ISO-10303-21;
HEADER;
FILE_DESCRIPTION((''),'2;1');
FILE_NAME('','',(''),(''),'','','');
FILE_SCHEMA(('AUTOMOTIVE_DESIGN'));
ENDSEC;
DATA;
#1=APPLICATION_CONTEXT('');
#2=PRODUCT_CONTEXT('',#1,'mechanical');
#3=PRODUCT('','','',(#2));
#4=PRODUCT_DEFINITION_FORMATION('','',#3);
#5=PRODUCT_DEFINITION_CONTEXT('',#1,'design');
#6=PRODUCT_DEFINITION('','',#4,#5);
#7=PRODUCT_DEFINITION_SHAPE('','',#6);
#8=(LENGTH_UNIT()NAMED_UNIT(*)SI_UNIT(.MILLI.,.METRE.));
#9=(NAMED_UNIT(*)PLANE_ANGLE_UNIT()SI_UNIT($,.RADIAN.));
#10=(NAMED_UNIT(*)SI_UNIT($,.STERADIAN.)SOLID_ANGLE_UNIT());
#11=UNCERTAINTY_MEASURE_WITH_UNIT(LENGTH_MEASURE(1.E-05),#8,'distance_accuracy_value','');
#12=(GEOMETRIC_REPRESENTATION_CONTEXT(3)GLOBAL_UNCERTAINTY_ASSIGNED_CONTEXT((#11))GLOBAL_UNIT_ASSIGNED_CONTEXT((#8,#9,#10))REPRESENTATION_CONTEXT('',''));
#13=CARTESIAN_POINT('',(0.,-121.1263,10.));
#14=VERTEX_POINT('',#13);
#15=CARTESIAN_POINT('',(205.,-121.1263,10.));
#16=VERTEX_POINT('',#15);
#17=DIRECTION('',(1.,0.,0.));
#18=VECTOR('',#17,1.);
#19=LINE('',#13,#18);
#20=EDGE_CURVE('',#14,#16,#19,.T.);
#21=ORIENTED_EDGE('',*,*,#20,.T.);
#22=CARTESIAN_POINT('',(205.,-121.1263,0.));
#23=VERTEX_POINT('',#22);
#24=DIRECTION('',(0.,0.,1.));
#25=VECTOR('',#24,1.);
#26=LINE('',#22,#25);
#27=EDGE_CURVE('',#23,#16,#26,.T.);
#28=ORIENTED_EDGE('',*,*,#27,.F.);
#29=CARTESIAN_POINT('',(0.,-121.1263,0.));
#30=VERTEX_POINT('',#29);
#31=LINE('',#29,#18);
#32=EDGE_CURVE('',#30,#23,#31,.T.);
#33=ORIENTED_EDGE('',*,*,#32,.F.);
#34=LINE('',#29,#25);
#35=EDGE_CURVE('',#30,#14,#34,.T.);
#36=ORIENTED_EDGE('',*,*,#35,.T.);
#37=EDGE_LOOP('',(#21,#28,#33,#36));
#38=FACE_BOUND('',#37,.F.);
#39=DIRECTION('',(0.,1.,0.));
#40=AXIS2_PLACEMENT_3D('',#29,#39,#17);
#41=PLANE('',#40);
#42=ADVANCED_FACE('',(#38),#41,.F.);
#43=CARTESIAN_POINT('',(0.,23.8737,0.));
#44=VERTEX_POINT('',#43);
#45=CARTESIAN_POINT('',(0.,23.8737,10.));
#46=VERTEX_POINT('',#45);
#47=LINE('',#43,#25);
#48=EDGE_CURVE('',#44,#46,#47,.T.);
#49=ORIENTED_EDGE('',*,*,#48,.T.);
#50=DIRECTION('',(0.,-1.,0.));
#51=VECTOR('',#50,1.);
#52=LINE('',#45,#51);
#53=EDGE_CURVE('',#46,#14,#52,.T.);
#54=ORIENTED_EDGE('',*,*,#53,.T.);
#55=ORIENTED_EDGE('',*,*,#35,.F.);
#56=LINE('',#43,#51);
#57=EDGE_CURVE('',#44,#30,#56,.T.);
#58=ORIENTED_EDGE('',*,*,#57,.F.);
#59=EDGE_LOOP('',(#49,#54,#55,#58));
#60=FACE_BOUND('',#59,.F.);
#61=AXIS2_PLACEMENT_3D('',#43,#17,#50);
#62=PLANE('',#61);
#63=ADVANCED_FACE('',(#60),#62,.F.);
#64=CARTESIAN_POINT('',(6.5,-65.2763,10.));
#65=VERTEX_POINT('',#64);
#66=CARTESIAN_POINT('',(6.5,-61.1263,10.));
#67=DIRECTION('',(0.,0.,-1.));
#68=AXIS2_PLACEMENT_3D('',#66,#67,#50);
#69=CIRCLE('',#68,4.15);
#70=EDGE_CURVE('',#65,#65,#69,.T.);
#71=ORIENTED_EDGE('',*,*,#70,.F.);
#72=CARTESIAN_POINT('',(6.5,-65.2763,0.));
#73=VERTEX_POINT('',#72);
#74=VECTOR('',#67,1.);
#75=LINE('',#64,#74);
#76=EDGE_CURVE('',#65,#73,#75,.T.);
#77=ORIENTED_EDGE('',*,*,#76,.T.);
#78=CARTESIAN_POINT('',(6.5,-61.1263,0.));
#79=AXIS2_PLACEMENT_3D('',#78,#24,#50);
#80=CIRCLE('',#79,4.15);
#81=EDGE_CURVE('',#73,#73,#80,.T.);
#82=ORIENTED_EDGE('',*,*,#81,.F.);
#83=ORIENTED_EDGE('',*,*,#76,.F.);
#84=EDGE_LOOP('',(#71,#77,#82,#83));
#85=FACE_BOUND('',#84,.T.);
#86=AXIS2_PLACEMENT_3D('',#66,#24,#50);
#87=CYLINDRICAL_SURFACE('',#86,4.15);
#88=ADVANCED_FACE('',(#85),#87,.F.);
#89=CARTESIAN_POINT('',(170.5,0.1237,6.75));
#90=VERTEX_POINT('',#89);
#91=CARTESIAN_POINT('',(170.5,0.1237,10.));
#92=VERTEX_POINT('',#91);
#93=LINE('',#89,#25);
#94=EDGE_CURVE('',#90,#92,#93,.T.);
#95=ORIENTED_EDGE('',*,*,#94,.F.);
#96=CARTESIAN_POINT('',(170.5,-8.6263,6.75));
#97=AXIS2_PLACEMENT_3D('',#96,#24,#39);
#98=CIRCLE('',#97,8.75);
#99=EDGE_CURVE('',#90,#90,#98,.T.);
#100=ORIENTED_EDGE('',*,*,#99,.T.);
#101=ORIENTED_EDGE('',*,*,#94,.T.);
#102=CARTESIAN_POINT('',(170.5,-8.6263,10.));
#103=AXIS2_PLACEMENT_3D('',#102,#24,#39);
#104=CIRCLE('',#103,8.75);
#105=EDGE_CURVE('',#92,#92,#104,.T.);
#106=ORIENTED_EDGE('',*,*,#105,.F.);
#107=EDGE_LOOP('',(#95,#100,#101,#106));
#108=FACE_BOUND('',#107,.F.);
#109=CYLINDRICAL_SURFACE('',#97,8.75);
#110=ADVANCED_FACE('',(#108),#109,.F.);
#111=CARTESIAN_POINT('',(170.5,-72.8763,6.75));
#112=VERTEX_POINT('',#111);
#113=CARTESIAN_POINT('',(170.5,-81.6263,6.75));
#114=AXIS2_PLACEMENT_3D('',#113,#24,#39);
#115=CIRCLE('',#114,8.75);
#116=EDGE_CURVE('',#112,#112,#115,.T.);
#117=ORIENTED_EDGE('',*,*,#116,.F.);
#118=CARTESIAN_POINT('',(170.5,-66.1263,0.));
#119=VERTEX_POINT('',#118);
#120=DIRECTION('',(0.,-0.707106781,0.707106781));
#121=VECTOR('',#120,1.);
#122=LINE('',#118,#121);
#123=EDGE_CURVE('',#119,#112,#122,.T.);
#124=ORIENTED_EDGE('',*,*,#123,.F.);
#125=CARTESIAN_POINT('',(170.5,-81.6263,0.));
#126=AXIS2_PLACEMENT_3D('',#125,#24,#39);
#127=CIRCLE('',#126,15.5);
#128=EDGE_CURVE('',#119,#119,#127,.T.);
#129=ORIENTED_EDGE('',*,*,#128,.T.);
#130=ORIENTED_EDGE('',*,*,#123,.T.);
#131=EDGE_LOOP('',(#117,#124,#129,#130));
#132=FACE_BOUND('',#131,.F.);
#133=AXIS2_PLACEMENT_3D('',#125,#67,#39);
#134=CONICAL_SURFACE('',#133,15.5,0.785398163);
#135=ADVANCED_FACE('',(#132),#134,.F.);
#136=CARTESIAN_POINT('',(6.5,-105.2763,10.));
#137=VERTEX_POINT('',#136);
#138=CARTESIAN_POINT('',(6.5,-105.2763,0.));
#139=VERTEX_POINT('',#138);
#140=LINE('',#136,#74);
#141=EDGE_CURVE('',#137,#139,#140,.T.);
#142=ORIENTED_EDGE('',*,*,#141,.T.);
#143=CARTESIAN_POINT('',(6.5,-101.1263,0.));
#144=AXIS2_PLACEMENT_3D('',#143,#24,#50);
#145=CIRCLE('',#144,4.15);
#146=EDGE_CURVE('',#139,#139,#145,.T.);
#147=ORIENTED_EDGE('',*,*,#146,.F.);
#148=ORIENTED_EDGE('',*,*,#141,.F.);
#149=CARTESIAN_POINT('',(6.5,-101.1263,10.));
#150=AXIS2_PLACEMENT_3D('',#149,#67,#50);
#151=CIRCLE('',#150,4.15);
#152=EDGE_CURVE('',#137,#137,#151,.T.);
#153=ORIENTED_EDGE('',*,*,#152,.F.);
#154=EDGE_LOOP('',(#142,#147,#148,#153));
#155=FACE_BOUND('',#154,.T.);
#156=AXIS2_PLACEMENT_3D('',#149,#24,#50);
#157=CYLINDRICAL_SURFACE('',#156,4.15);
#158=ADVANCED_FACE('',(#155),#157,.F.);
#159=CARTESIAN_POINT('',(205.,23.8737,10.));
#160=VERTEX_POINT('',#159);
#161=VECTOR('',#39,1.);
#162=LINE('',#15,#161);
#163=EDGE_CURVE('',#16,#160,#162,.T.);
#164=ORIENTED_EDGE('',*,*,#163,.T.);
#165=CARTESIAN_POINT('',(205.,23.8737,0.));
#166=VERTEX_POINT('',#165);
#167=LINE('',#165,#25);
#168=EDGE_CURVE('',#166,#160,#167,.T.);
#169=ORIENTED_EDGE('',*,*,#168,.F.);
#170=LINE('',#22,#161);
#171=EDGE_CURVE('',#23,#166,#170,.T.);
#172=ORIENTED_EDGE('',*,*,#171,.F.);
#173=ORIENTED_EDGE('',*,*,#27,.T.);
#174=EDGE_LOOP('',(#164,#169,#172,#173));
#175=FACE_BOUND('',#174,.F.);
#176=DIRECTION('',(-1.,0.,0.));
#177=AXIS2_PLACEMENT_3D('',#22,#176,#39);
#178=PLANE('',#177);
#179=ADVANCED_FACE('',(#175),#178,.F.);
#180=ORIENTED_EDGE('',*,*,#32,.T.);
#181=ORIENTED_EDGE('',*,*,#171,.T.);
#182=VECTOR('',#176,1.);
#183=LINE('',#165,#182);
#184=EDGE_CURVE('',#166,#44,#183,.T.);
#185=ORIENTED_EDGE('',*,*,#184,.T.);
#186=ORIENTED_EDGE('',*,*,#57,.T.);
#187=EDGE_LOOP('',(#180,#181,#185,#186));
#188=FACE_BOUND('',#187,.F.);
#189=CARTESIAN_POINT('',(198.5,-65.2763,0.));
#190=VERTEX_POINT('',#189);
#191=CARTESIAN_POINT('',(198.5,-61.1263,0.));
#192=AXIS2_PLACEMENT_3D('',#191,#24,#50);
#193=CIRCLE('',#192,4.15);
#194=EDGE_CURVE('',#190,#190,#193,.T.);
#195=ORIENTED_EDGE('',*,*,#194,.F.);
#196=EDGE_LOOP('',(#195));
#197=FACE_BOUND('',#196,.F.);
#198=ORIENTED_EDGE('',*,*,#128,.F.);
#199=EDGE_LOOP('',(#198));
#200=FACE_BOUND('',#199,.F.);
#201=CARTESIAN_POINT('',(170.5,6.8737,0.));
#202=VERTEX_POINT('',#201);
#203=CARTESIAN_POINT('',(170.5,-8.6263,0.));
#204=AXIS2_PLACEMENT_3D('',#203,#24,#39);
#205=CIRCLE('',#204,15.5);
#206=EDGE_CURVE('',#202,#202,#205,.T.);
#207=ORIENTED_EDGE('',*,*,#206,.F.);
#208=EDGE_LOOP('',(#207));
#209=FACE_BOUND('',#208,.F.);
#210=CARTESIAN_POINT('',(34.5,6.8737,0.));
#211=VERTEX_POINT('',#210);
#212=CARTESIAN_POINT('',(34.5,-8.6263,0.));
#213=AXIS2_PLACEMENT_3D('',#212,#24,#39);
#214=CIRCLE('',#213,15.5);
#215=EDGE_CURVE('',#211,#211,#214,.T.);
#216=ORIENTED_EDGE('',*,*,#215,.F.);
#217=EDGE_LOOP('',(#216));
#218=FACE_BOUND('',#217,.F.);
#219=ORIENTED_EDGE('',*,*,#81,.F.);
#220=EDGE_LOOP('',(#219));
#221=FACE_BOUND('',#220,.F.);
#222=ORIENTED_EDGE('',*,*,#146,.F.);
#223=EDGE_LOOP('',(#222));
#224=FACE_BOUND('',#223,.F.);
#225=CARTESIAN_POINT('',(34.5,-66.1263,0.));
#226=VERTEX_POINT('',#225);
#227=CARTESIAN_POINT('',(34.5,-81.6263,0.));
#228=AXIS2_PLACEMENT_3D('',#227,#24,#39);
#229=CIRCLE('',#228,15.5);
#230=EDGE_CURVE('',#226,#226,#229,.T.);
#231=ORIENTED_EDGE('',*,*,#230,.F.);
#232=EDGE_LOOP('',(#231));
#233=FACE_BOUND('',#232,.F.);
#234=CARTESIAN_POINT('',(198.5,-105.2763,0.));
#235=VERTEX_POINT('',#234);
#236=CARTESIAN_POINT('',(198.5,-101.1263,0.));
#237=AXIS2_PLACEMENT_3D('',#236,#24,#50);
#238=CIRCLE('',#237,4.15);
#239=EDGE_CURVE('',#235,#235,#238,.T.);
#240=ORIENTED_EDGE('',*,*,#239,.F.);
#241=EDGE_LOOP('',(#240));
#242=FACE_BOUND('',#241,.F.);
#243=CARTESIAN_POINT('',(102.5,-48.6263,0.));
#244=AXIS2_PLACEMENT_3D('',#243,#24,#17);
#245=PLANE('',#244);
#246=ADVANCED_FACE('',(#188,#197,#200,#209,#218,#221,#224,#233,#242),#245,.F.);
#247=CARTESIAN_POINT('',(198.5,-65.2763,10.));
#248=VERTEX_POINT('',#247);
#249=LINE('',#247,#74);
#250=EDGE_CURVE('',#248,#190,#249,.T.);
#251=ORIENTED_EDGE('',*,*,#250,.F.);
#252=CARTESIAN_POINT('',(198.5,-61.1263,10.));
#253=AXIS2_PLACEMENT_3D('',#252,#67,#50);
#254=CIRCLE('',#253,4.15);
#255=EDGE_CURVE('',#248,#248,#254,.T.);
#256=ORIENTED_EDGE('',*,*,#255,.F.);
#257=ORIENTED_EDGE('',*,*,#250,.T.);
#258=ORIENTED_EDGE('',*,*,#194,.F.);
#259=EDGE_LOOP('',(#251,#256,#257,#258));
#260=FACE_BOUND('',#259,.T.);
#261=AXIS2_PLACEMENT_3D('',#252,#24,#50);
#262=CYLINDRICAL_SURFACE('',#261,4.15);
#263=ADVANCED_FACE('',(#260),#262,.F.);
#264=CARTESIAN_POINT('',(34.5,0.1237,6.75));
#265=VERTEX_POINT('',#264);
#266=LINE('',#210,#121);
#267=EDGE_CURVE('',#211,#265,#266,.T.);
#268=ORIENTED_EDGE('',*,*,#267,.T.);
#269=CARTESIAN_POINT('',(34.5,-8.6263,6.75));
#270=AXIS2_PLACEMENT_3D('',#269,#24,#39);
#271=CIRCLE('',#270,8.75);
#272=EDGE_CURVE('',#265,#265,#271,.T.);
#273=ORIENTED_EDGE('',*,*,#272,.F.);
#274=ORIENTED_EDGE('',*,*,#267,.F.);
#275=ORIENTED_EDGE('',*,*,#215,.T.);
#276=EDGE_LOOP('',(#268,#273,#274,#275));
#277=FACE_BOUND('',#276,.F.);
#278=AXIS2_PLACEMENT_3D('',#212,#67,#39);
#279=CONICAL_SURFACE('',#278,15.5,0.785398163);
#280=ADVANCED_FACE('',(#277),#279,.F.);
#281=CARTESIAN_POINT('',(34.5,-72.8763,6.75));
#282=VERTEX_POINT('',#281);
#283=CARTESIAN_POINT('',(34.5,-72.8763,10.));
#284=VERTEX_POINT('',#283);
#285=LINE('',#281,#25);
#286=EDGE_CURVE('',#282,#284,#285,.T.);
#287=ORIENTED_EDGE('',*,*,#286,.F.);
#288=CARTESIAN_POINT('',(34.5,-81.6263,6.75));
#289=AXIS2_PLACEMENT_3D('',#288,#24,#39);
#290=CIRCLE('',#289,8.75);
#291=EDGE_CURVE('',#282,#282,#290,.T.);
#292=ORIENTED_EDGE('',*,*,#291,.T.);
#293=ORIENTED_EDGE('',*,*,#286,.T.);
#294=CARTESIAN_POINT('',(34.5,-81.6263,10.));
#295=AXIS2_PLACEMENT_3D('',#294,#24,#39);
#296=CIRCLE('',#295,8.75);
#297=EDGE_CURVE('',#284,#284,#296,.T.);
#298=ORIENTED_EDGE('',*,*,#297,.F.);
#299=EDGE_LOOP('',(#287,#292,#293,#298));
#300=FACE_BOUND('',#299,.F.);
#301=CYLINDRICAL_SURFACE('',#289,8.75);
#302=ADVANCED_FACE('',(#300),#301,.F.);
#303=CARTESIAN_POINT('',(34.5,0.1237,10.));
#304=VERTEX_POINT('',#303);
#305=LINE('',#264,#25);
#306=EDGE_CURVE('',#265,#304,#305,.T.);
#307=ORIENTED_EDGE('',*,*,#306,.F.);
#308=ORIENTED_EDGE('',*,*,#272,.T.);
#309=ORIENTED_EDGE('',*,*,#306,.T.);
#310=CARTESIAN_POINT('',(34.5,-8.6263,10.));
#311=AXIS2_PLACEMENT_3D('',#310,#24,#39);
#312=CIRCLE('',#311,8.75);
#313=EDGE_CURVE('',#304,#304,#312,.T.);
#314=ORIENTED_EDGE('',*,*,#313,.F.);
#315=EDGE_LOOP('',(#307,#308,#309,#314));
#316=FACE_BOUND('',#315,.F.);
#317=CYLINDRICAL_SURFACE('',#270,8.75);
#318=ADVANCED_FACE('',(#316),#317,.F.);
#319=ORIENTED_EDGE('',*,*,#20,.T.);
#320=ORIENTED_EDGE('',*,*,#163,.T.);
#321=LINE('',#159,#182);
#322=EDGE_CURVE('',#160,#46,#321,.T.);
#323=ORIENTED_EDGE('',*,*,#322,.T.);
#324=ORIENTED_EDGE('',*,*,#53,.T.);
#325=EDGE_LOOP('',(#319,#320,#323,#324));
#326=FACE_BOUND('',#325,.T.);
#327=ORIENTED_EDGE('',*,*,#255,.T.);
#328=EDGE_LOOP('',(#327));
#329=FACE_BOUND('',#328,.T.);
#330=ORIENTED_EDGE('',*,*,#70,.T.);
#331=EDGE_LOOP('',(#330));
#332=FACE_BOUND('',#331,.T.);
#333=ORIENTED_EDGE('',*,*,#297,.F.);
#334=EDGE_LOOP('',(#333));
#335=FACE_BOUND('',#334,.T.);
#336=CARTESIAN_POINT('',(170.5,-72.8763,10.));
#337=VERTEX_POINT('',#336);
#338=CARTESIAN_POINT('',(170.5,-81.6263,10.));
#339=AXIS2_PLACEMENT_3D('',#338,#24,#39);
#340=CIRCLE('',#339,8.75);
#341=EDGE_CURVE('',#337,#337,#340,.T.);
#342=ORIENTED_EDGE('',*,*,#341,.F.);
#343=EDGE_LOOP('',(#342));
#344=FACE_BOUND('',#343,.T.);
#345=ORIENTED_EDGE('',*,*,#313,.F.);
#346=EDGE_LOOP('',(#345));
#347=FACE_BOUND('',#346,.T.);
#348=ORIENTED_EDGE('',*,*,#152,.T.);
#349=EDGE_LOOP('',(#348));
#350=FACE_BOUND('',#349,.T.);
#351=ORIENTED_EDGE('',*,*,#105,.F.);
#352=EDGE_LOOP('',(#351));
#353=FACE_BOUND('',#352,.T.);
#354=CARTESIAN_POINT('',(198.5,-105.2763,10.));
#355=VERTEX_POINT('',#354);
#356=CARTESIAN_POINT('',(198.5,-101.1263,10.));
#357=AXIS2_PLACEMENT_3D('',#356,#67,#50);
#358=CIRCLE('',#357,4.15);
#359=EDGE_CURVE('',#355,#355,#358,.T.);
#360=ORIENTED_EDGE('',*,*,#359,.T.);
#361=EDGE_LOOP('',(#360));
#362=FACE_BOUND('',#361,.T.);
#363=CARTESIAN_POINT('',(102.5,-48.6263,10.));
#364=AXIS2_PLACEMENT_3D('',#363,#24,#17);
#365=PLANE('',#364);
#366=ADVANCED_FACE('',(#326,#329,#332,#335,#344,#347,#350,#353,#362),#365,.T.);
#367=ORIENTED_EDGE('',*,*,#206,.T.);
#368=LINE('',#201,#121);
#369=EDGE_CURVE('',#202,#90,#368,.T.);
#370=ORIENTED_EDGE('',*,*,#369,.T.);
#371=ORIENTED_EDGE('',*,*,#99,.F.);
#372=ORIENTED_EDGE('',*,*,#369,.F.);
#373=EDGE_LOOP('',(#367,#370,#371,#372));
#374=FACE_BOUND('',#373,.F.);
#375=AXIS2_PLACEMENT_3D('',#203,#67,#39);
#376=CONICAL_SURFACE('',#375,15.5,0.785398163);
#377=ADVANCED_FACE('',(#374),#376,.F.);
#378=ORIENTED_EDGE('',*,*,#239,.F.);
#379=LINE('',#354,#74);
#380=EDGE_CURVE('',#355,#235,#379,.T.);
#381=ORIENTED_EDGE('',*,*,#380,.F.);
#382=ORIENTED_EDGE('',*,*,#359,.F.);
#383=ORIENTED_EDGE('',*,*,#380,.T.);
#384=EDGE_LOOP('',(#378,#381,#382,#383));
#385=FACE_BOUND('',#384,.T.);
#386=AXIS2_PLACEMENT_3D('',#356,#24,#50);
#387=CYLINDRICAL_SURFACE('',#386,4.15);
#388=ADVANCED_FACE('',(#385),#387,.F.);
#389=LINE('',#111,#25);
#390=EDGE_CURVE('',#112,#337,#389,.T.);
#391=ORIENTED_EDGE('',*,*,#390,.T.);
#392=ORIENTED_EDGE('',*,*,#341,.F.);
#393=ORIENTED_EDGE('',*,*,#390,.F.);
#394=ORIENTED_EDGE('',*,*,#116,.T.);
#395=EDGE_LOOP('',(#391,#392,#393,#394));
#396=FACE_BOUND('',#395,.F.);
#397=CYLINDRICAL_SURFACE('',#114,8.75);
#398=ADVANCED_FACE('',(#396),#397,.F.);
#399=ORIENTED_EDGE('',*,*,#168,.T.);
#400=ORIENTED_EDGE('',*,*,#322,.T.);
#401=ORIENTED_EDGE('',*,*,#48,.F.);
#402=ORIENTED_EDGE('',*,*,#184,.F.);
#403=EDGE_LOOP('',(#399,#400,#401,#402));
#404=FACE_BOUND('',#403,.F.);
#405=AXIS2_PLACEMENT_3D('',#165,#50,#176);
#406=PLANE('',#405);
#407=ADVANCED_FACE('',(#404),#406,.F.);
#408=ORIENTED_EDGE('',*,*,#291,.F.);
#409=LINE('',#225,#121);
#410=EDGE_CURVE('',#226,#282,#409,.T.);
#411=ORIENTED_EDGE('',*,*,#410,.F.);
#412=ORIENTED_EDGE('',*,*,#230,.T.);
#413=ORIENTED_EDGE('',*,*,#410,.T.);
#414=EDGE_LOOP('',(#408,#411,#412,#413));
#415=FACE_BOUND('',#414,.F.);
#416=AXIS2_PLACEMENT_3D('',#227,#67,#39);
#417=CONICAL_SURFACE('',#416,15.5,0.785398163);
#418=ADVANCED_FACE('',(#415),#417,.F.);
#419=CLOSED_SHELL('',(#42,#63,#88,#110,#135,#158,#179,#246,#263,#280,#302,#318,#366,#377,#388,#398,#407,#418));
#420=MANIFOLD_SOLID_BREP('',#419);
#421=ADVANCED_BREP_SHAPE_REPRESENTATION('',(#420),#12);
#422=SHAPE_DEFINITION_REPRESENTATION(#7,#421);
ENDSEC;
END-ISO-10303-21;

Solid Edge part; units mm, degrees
sketch "Sketch1" plane through (0, 0, 0) normal (0, 0, 1) x (1, 0, 0)
  line L0 (0, -121.1263) -> (205, -121.1263)
  line L1 (205, -121.1263) -> (205, 23.8737)
  line L2 (205, 23.8737) -> (0, 23.8737)
  line L3 (0, 23.8737) -> (0, -121.1263)
  dimension "D1" = 205
  dimension "D2" = 145
extrude "Protrusion1" add sketch "Sketch1" along normal blind 10
hole "Hole1" at (198.5, -61.1263, 10) direction (0, 0, -1) diameter 8.3 end through all
hole "Hole2" at (198.5, -101.1263, 10) direction (0, 0, -1) diameter 8.3 end through all
hole "Hole3" at (6.5, -101.1263, 10) direction (0, 0, -1) diameter 8.3 end through all
hole "Hole4" at (6.5, -61.1263, 10) direction (0, 0, -1) diameter 8.3 end through all
hole "Hole_7" at (34.5, -8.6263, 0) direction (0, 0, 1) diameter 17.5 depth 50.8 countersink diameter 31 countersink angle 90
hole "Hole5" at (34.5, -81.6263, 0) direction (0, 0, 1) diameter 17.5 depth 50.8 countersink diameter 31 countersink angle 90
hole "Hole6" at (170.5, -81.6263, 0) direction (0, 0, 1) diameter 17.5 depth 50.8 countersink diameter 31 countersink angle 90
hole "Hole7" at (170.5, -8.6263, 0) direction (0, 0, 1) diameter 17.5 depth 50.8 countersink diameter 31 countersink angle 90
properties material "Aluminum, 6061-T6"
